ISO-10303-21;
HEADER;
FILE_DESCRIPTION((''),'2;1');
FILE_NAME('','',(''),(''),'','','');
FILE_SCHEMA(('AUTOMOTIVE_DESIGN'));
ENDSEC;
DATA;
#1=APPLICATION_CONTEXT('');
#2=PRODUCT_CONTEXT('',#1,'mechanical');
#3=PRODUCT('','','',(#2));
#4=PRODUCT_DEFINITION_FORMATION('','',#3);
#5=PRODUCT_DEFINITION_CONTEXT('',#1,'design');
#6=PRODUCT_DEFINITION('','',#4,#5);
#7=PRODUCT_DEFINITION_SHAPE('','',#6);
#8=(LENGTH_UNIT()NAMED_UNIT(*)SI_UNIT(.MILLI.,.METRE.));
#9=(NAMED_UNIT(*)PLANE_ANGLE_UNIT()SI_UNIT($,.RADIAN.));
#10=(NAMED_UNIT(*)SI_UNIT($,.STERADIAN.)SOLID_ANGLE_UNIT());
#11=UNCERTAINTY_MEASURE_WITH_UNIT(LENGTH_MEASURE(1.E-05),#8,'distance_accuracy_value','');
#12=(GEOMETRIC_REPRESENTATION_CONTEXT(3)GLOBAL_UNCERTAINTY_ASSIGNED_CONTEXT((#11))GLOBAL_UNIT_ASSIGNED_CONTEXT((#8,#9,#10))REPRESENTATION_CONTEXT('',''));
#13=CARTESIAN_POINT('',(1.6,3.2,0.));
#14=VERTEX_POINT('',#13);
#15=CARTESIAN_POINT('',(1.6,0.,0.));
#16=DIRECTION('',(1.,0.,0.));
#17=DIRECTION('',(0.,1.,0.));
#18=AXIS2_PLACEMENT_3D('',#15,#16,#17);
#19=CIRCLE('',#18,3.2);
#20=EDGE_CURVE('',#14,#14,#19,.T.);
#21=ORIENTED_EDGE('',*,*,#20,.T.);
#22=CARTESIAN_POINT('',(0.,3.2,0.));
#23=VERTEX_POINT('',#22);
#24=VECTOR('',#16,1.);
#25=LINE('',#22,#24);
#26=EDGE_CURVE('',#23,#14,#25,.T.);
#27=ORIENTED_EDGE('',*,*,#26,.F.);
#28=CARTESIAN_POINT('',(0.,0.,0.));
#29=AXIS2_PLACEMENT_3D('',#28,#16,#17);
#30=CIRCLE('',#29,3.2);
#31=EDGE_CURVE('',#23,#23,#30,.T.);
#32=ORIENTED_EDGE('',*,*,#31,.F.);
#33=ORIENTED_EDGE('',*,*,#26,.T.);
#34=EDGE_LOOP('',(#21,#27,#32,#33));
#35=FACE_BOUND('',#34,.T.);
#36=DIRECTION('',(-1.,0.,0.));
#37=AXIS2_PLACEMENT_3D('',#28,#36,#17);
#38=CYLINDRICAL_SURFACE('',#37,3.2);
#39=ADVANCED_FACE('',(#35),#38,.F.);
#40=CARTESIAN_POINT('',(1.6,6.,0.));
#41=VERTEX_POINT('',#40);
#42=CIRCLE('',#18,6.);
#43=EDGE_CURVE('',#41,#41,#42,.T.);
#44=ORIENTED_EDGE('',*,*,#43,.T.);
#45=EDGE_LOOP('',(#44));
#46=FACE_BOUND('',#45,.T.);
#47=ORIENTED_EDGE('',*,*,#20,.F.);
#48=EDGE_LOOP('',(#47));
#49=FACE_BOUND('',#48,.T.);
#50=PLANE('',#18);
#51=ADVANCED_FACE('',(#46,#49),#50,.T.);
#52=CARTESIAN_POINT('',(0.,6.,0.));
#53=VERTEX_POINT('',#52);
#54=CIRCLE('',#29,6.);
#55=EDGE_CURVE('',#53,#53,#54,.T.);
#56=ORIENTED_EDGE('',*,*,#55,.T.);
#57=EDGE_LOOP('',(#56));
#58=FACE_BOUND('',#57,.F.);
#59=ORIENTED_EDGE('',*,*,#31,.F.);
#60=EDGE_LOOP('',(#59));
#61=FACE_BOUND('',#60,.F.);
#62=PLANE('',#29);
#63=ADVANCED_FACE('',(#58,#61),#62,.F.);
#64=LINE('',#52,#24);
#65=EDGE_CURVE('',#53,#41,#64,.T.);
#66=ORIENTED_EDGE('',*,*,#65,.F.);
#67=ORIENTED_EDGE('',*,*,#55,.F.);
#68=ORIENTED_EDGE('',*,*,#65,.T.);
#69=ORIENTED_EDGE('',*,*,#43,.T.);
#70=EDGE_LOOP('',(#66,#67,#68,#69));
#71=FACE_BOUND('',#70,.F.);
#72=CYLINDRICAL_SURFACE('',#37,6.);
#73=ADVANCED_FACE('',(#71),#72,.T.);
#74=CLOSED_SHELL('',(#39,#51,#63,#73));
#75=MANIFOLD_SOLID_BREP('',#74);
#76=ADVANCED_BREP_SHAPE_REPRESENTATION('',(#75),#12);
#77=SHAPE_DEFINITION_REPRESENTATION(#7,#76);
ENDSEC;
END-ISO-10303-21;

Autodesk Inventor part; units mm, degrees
ref_plane "YZ Plane" through (0, 0, 0) normal (1, 0, 0) x (0, 1, 0)
ref_plane "XZ Plane" through (0, 0, 0) normal (0, 1, 0) x (-1, 0, 0)
sketch "Sketch" plane through (0, 0, 0) normal (1, 0, 0) x (0, 1, 0)
  circle A0 centre (0, 0) radius 6
  circle A1 centre (0, 0) radius 3.2
  dimension "d0" = 6.4
  dimension "d1" = 12
extrude "Body" add sketch "Sketch" along normal blind 1.6
ref_plane "Work Plane1" through (0, 0, 0) normal (0, 0, 1) x (1, 0, 0)
equation "\"d0\" = SD1"
equation "\"d1\" = SD2"
equation "\"d2\" = SD"
equation "\"SD1\" = 6.4"
equation "\"SD2\" = 12"
equation "\"SD\" = 1.6"
equation "\"NND\" = 6"
properties part number "DIN 125 - A 6,4" material "Steel, Mild"
